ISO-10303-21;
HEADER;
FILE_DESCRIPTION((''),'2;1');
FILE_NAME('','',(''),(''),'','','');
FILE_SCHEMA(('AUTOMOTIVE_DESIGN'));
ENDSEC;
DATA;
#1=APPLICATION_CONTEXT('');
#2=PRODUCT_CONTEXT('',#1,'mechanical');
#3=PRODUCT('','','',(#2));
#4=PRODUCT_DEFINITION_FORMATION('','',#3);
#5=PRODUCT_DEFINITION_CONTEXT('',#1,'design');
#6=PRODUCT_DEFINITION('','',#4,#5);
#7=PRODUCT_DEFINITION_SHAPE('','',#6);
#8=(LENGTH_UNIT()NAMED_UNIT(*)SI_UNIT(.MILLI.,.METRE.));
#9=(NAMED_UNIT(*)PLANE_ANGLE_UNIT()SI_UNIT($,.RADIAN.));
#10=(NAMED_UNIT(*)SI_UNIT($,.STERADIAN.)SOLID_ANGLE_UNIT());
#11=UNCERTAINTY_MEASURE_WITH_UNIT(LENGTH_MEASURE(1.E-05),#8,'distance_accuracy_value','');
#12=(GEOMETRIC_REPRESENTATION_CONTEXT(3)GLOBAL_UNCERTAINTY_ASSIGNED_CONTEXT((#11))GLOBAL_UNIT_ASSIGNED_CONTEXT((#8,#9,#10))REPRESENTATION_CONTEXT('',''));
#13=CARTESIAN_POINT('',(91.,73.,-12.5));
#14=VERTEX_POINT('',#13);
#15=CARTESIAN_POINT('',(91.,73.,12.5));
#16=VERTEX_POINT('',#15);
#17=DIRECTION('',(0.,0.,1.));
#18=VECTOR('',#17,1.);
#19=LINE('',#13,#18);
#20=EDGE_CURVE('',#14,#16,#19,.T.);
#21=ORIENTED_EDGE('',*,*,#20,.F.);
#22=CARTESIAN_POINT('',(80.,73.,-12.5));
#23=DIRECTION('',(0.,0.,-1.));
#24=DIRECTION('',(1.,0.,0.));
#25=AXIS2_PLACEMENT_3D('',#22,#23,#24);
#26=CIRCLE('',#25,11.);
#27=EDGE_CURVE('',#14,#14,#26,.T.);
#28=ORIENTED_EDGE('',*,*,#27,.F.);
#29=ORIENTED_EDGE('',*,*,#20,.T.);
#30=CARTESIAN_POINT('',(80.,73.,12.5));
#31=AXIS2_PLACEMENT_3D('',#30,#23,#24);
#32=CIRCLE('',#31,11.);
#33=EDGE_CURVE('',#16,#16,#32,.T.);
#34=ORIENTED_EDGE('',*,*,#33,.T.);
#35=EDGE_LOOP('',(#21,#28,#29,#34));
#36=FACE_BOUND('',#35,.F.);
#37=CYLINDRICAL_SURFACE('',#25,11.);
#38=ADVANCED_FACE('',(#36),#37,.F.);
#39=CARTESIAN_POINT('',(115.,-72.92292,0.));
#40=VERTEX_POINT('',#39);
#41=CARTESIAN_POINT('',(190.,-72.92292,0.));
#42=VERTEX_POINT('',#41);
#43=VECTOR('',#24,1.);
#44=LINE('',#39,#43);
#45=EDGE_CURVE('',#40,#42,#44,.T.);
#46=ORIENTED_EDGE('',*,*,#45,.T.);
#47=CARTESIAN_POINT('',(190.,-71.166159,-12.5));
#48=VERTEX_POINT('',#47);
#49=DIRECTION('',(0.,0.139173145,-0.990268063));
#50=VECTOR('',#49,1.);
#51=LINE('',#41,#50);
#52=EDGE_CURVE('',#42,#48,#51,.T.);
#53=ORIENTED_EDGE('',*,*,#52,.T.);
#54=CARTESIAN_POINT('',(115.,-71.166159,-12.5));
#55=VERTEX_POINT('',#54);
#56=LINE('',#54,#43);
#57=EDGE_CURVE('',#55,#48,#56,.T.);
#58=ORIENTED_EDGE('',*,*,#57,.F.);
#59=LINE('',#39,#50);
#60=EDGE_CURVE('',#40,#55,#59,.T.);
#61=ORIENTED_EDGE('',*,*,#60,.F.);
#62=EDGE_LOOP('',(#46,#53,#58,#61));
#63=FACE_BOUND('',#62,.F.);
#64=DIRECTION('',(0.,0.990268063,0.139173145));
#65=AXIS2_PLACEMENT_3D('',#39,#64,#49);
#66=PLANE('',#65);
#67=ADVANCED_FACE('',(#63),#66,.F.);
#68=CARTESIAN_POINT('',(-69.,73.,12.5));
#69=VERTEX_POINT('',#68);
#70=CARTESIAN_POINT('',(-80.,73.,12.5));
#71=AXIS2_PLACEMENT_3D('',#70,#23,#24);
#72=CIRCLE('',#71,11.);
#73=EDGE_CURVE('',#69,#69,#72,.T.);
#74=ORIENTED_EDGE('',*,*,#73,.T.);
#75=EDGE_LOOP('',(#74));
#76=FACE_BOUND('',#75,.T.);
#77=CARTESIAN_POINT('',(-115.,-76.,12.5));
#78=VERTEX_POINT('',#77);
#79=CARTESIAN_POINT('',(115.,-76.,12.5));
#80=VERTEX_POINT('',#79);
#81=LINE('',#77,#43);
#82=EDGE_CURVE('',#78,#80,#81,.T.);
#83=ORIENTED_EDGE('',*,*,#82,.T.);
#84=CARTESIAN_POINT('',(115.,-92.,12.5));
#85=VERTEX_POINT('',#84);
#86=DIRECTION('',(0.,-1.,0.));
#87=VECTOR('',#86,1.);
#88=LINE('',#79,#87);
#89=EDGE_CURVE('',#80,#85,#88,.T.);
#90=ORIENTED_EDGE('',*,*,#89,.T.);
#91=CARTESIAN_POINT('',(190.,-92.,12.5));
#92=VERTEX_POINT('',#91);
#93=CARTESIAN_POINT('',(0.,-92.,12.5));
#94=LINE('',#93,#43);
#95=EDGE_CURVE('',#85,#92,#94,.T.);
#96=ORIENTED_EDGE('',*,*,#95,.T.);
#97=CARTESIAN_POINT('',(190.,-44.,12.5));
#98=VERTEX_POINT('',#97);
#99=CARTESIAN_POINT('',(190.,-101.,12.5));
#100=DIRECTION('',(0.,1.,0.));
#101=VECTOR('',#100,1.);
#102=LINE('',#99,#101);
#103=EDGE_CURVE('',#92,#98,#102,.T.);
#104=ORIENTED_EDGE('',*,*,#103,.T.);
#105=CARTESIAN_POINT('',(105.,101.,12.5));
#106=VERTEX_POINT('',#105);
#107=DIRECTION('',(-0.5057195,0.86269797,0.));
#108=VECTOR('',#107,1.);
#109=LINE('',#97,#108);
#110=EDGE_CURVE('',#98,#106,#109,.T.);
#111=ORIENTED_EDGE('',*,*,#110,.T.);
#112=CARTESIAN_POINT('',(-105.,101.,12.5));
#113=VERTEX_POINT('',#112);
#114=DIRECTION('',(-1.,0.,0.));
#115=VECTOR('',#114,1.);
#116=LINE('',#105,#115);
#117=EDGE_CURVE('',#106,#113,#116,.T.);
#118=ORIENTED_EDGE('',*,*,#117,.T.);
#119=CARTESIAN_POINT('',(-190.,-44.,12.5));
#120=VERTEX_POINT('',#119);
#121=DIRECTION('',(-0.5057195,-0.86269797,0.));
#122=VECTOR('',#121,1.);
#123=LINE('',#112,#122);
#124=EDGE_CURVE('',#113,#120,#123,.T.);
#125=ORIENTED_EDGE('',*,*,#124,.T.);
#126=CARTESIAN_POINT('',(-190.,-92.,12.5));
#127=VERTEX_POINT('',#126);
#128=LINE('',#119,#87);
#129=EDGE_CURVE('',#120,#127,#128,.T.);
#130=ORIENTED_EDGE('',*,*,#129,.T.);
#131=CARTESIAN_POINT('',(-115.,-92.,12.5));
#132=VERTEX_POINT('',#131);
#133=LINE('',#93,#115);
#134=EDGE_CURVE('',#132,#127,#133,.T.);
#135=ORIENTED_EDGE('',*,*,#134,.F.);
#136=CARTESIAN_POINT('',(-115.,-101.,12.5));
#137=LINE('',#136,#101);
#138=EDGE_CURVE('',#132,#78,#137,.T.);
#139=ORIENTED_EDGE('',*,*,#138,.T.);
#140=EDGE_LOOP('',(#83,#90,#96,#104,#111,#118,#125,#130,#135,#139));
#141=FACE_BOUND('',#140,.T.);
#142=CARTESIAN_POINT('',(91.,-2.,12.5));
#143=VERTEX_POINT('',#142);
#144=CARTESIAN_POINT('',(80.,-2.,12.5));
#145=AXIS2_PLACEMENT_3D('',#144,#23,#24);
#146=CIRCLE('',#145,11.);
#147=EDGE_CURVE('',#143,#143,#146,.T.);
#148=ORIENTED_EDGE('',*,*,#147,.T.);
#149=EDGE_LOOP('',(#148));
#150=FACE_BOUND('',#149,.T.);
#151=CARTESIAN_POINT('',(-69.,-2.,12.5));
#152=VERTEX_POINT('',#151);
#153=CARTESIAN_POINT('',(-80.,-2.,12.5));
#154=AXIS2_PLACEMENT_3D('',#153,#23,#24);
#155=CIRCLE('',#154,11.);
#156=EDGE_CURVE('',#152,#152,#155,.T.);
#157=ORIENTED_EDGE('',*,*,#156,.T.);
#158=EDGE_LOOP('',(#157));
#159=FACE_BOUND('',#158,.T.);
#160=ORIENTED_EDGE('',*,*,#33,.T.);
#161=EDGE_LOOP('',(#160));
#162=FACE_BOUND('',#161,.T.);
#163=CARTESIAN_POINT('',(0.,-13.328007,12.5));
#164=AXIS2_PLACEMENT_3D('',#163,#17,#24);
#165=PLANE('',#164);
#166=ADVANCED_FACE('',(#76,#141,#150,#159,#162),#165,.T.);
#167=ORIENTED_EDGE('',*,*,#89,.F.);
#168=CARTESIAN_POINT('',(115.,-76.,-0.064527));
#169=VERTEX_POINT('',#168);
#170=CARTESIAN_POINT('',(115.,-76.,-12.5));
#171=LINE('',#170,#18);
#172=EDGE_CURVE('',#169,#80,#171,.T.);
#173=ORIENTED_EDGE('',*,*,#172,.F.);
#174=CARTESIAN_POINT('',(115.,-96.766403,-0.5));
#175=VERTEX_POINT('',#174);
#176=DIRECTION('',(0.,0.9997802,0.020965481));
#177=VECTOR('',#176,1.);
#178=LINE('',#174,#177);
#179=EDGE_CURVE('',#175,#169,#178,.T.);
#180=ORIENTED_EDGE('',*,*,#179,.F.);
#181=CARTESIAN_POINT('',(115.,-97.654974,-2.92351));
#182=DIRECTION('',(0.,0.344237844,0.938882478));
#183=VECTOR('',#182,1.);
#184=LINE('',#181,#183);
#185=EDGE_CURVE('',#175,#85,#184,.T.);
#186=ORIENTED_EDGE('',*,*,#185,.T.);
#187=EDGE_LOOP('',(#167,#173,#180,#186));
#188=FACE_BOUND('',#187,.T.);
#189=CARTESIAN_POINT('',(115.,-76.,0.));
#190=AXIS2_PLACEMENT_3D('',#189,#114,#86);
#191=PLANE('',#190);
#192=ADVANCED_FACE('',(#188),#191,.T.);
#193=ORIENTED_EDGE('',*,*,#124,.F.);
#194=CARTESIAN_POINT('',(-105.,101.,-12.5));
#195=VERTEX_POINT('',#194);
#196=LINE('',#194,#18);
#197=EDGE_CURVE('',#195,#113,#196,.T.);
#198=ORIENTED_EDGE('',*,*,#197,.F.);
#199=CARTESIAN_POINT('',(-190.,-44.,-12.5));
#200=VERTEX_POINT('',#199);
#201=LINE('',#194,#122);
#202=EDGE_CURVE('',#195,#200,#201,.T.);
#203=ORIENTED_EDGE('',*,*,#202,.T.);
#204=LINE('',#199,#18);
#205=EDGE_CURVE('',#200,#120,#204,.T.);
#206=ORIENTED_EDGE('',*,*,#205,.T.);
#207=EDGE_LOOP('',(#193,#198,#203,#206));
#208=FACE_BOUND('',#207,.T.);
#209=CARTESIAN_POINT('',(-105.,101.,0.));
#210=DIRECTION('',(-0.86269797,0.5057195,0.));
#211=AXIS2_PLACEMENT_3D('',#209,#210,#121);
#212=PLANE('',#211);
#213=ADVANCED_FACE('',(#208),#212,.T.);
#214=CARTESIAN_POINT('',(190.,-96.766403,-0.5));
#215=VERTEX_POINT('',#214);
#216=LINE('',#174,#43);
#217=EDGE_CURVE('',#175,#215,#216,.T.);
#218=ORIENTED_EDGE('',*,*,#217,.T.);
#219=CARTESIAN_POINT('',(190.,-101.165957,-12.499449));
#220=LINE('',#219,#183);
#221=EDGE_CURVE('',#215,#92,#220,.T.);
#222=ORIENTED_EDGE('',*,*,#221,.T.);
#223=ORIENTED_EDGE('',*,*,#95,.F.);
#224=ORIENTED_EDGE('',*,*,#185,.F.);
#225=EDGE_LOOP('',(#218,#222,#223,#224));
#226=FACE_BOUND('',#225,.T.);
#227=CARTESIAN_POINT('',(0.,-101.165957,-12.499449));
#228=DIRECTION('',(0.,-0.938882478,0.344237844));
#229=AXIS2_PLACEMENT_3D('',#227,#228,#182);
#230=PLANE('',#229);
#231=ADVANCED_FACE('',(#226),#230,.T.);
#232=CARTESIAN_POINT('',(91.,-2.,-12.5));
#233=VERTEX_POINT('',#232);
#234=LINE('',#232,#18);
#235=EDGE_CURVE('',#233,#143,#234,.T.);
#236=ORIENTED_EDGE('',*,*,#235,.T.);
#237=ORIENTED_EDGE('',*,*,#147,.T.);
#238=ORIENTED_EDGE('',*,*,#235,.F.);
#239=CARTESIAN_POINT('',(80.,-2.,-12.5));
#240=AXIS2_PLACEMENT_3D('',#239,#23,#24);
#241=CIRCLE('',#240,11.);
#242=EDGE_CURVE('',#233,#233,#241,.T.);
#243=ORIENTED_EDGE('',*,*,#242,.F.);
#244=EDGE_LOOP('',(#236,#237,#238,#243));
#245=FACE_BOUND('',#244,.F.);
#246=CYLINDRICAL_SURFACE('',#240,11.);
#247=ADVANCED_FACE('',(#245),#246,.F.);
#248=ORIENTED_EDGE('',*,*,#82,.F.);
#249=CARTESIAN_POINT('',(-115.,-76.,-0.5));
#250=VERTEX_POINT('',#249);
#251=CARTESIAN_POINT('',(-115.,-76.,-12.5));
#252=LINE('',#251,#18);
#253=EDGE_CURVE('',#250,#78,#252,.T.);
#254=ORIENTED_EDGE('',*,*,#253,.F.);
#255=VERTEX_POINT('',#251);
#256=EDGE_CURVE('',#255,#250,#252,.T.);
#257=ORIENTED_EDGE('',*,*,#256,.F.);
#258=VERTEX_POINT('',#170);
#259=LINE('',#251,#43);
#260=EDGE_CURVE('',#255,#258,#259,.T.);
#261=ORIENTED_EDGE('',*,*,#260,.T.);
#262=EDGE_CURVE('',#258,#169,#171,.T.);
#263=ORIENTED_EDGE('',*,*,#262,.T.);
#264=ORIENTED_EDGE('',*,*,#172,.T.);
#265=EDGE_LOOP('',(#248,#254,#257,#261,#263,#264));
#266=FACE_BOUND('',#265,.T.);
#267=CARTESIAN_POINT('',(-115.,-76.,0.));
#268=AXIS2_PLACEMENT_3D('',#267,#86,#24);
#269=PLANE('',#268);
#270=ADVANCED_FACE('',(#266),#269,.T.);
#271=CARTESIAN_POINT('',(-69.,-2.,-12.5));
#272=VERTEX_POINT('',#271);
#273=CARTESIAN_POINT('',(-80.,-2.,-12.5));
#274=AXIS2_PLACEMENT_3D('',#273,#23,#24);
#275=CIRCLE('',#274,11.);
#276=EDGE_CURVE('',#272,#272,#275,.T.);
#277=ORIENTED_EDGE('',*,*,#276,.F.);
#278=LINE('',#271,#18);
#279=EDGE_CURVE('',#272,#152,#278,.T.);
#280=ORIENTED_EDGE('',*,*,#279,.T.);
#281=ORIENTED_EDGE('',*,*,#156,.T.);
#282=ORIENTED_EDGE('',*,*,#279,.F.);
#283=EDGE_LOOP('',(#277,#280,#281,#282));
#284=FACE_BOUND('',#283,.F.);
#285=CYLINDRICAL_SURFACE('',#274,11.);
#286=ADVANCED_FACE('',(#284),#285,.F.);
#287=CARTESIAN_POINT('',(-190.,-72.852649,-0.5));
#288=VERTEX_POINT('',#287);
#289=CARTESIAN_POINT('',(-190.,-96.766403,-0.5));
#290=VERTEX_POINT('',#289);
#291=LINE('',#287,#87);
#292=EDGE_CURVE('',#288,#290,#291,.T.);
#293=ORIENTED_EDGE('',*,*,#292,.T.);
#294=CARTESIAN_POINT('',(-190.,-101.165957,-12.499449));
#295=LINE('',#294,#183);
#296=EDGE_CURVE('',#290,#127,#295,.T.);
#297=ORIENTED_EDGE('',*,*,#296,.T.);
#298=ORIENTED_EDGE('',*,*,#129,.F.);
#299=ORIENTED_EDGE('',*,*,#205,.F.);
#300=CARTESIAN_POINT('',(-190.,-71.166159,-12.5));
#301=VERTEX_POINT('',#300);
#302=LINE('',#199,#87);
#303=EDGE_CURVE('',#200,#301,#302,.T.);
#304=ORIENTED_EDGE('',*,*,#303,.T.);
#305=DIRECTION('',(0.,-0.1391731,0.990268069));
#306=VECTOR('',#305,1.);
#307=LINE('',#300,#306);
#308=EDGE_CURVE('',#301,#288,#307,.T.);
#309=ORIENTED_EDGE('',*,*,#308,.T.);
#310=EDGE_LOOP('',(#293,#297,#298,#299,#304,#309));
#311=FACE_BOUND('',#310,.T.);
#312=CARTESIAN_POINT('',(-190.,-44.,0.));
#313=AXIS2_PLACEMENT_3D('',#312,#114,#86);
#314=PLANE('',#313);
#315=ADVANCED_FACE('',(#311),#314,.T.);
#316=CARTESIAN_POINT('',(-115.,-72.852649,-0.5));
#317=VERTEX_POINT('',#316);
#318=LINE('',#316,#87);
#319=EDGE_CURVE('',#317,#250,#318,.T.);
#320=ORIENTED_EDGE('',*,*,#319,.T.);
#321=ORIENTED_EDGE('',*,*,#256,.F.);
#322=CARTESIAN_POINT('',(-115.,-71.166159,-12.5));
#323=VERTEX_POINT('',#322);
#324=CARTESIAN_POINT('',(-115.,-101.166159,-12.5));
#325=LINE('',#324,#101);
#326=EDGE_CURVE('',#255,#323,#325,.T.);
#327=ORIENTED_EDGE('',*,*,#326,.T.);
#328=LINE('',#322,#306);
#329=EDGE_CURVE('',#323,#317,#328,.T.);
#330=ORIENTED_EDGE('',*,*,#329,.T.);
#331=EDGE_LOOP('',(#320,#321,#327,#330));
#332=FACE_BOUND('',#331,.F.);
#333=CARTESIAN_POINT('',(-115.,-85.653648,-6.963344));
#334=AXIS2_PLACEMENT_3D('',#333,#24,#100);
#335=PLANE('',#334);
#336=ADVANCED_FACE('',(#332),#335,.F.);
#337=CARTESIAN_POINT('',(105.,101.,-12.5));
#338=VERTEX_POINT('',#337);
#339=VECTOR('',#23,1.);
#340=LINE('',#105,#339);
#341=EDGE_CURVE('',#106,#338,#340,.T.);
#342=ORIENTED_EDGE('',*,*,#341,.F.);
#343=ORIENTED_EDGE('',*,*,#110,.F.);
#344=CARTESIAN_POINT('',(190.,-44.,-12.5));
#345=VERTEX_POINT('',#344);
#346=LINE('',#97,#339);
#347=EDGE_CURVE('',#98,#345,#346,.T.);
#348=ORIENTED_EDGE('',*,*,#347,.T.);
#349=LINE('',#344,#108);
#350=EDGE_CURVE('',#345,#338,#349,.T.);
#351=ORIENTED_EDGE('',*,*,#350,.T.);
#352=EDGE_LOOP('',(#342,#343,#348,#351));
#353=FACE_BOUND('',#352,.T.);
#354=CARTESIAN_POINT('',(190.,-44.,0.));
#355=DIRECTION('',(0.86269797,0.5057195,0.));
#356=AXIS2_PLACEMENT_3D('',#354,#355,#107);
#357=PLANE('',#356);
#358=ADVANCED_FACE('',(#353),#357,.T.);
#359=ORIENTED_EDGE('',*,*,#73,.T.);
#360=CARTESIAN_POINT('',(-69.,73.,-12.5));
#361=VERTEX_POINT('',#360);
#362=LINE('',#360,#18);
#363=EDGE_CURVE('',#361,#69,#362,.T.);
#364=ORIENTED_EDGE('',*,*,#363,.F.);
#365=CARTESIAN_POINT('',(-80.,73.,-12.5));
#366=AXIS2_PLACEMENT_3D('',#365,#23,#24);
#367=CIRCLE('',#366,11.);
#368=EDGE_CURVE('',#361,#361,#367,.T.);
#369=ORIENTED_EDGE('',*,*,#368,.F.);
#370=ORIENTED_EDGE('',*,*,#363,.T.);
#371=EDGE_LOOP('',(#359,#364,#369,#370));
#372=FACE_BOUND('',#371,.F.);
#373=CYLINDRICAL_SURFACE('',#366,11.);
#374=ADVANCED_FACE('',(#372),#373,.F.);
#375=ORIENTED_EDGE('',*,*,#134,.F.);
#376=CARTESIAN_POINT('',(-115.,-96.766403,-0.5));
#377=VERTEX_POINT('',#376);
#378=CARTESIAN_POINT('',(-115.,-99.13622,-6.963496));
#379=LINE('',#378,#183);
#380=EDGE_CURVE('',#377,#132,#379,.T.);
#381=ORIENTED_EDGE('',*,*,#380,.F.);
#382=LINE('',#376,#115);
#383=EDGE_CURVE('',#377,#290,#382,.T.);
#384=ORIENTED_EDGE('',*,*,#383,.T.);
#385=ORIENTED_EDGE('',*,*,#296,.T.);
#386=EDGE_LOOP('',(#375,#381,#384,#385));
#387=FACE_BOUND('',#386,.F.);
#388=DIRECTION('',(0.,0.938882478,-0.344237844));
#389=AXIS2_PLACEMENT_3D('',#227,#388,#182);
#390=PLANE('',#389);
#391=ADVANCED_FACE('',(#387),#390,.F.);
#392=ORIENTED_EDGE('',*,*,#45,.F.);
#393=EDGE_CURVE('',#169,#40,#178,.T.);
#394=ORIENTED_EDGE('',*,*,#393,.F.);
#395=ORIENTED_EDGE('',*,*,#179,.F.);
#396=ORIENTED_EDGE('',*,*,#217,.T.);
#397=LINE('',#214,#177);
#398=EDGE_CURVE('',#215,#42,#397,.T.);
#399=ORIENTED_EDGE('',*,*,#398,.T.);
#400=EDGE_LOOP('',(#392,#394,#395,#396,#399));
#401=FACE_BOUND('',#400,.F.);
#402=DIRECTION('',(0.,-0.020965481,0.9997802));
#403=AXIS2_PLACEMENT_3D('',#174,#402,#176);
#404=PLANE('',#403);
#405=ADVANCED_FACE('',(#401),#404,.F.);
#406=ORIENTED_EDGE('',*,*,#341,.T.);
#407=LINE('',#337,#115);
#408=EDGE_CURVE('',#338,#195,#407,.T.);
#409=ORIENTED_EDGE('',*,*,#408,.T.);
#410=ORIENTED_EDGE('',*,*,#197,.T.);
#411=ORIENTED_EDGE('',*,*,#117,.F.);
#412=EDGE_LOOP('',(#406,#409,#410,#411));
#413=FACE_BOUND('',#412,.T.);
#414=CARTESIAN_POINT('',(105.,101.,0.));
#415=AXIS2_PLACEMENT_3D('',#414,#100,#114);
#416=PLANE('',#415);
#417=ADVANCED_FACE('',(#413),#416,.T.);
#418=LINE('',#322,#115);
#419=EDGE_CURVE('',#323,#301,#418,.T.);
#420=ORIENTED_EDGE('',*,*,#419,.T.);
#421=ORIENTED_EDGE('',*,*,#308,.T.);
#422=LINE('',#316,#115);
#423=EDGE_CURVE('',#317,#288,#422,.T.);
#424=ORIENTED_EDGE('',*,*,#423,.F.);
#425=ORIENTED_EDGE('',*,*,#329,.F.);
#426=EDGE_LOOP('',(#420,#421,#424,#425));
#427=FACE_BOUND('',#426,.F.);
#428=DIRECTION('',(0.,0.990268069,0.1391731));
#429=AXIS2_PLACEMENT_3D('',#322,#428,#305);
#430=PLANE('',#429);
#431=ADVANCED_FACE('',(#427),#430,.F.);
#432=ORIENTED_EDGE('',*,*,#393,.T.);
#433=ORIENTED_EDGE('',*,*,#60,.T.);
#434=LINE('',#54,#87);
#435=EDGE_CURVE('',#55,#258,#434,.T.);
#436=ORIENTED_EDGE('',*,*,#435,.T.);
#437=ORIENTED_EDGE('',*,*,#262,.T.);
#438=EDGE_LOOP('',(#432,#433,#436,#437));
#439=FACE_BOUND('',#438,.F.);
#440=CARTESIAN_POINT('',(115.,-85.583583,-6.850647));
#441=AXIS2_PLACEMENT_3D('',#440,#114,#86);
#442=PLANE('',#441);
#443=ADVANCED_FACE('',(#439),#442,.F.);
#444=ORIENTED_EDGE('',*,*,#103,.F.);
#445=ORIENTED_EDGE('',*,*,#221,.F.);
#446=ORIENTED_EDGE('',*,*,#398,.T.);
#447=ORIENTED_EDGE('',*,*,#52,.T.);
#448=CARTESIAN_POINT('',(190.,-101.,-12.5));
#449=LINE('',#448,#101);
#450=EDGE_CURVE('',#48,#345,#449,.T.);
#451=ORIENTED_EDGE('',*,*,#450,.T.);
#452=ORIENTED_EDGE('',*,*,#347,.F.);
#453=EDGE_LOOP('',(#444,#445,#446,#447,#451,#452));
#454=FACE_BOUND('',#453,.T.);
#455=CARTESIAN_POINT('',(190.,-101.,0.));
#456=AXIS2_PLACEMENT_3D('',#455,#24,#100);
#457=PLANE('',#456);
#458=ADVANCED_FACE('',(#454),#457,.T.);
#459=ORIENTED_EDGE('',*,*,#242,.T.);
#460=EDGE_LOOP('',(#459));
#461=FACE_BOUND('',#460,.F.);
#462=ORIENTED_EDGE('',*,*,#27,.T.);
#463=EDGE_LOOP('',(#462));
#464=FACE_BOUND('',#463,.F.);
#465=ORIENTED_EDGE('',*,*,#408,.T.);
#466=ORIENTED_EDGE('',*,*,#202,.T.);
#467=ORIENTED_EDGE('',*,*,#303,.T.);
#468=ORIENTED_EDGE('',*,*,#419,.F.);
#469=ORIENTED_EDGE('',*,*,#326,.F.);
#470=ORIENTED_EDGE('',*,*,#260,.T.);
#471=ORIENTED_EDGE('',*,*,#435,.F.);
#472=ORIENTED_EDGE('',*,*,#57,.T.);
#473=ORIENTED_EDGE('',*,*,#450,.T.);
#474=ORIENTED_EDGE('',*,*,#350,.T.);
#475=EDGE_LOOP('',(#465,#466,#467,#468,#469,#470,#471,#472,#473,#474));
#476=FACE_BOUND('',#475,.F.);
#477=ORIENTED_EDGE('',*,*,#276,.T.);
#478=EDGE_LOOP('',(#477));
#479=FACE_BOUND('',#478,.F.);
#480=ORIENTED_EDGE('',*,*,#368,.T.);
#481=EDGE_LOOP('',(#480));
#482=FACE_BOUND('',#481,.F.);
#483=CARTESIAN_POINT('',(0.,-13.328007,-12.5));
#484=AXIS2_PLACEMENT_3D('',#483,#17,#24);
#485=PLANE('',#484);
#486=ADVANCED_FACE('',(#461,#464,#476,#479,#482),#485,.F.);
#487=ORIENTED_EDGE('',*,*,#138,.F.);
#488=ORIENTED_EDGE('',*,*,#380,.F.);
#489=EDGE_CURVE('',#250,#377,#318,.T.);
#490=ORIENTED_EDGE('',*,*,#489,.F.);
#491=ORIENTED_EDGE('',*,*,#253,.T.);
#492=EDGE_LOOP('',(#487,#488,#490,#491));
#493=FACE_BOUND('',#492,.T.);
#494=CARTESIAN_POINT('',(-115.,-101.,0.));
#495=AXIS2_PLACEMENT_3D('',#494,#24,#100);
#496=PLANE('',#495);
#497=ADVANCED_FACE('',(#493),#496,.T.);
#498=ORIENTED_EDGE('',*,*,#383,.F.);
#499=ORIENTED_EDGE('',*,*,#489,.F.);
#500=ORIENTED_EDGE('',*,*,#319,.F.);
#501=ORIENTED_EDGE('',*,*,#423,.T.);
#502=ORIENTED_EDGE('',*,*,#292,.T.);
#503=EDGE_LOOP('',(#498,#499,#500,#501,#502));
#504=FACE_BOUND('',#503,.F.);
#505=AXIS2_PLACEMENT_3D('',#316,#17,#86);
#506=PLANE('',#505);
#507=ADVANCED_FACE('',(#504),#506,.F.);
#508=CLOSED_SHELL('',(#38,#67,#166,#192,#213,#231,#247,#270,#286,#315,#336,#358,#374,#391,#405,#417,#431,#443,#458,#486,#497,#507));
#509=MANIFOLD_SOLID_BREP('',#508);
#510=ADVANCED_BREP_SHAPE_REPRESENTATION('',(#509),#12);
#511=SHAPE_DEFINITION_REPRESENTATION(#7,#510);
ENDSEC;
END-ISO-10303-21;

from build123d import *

# Parameters (mm, degrees)
F1_DEPTH      = 12.5
F1_DEPTH_BACK = 12.5
F3_DEPTH      = 190
F3_DEPTH_BACK = 190
F5_DEPTH      = 75
F7_DEPTH      = 75
F8_R          = 11
F9_DEPTH      = 25


with BuildPart() as f1:
    # F0 (on Top) → F1 (new body, two sides)
    with BuildSketch(Plane.XY) as f1_sk:
        Polygon((105, 101), (-105, 101), (-190, -44), (-190, -101), (-115, -101), (-115, -76), (115, -76), (115, -101), (190, -101), (190, -44), align=None)
    extrude(amount=F1_DEPTH)
    extrude(f1_sk.sketch, amount=-F1_DEPTH_BACK)

    # F2 (on Right) → F3 (cut, two sides)
    with BuildSketch(Plane.YZ) as f3_sk:
        Polygon((-92, 12.5), (-101, 12.5), (-101.165957, -12.499449), align=None)
    extrude(amount=F3_DEPTH, mode=Mode.SUBTRACT)
    extrude(f3_sk.sketch, amount=-F3_DEPTH_BACK, mode=Mode.SUBTRACT)

    # F4 (on face) → F5 (cut, through all)
    with BuildSketch(Plane.YZ.offset(-115)):
        Polygon((-72.852649, -0.5), (-96.766403, -0.5), (-101.166159, -12.5), (-71.166159, -12.5), align=None)
    extrude(amount=-F5_DEPTH, mode=Mode.SUBTRACT)

    # F6 (on face) → F7 (cut, through all)
    with BuildSketch(Plane(origin=(115, 0, 0), x_dir=(0, -1, 0), z_dir=(-1, 0, 0))):
        Polygon((101.166159, -12.5), (96.766403, -0.5), (72.92292, 0), (71.166159, -12.5), align=None)
    extrude(amount=-F7_DEPTH, mode=Mode.SUBTRACT)

    # F8 (on face) → F9 (cut)
    with BuildSketch(Plane(origin=(0, 0, -12.5), x_dir=(1, 0, 0), z_dir=(0, 0, -1))):
        with Locations((-80, -73)):
            Circle(F8_R)
        with Locations((-80, 2)):
            Circle(F8_R)
        with Locations((80, -73)):
            Circle(F8_R)
        with Locations((80, 2)):
            Circle(F8_R)
    extrude(amount=-F9_DEPTH, mode=Mode.SUBTRACT)


solid = f1.part
